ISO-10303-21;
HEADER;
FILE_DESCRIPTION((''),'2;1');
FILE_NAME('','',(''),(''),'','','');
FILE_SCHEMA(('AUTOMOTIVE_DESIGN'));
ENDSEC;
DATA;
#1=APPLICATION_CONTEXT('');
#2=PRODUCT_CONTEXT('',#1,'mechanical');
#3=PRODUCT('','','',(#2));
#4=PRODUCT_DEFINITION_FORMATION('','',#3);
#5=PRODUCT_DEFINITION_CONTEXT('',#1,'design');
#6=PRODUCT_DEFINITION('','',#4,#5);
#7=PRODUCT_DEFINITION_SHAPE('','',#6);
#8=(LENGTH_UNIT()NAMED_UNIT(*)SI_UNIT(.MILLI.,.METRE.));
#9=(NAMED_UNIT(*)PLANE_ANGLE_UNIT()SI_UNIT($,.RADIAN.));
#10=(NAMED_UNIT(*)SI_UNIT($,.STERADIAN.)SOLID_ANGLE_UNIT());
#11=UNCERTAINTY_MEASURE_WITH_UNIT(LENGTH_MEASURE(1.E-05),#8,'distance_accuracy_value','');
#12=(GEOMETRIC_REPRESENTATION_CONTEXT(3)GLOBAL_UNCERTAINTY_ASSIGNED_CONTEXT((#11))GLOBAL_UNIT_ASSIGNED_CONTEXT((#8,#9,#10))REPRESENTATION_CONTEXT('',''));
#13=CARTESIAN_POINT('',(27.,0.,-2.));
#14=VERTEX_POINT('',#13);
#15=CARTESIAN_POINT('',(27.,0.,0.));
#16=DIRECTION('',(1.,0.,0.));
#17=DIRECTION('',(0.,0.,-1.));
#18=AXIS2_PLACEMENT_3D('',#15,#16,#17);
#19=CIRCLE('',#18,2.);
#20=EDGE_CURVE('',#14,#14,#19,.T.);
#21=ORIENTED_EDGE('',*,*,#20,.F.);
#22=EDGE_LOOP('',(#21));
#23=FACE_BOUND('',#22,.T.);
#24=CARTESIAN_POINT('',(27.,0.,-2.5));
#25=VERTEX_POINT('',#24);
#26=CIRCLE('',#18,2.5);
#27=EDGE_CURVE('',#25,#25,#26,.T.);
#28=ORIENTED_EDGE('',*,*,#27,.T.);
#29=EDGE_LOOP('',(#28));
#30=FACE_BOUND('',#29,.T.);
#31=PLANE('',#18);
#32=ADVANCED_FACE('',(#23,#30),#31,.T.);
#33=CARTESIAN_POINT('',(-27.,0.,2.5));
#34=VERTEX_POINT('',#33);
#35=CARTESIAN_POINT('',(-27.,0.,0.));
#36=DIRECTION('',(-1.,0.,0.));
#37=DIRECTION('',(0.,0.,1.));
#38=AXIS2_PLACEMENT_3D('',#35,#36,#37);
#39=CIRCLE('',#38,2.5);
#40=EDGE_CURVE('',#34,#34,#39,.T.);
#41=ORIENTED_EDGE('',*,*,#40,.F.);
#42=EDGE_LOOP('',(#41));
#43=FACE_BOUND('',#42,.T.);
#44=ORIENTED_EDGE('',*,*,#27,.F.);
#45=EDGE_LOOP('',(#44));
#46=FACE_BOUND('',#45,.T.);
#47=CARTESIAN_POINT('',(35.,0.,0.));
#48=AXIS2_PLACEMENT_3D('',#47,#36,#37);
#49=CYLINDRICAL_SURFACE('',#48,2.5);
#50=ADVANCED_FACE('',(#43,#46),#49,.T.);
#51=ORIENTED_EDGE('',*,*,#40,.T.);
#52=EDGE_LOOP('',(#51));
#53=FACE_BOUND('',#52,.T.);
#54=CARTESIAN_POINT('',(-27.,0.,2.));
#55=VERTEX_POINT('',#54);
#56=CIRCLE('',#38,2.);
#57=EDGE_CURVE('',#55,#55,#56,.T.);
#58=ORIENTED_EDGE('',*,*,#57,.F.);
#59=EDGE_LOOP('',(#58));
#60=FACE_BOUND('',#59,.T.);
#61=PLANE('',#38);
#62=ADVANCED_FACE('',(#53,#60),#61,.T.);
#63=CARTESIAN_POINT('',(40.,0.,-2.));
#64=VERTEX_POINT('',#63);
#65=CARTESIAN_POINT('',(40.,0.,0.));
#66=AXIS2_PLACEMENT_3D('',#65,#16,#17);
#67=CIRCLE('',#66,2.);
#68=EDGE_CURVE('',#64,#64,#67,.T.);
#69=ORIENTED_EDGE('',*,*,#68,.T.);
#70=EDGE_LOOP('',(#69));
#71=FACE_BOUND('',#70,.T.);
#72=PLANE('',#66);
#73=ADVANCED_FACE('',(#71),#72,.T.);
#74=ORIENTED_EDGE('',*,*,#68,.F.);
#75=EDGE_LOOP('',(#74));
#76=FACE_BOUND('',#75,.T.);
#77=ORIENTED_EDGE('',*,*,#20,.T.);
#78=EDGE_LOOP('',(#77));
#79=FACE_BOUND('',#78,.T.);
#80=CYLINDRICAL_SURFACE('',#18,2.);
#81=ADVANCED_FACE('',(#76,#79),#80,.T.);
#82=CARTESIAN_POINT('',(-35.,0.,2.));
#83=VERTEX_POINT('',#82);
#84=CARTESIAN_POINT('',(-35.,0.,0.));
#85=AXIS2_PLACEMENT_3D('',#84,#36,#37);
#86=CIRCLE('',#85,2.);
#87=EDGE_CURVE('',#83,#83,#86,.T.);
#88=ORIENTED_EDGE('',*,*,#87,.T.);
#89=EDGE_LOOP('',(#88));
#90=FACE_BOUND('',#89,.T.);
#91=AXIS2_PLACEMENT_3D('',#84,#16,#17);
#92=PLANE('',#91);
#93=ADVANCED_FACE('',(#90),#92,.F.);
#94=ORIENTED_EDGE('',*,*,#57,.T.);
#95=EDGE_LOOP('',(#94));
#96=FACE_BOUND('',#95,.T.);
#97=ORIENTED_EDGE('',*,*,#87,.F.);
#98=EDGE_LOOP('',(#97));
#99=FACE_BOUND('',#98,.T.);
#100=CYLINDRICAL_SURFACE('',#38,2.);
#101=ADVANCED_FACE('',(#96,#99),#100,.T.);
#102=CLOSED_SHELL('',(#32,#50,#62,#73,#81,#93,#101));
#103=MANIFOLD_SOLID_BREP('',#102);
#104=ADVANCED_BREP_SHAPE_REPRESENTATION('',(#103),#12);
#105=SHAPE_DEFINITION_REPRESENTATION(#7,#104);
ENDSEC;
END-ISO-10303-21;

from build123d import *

# Parameters (mm, degrees)
SKETCH1_R           = 2.5
BOSS_EXTRUDE1_DEPTH = 35
SKETCH2_R           = 2.5
SKETCH2_R_2         = 2
CUT_EXTRUDE1_DEPTH  = 8
SKETCH3_R           = 2.5
SKETCH3_R_2         = 2
CUT_EXTRUDE2_DEPTH  = 8
SKETCH4_R           = 2
BOSS_EXTRUDE2_DEPTH = 5


with BuildPart() as part:
    # Sketch1 → Boss-Extrude1 (new body, symmetric)
    with BuildSketch(Plane(origin=(0, 0, 0), x_dir=(0, 0, -1), z_dir=(1, 0, 0))):
        Circle(SKETCH1_R)
    extrude(amount=BOSS_EXTRUDE1_DEPTH, both=True)

    # Sketch2 → Cut-Extrude1 (cut)
    with BuildSketch(Plane(origin=(35, 0, 0), x_dir=(0, 0, -1), z_dir=(1, 0, 0))):
        Circle(SKETCH2_R)
        Circle(SKETCH2_R_2, mode=Mode.SUBTRACT)
    extrude(amount=-CUT_EXTRUDE1_DEPTH, mode=Mode.SUBTRACT)

    # Sketch3 → Cut-Extrude2 (cut)
    with BuildSketch(Plane.ZY.offset(35)):
        Circle(SKETCH3_R)
        Circle(SKETCH3_R_2, mode=Mode.SUBTRACT)
    extrude(amount=-CUT_EXTRUDE2_DEPTH, mode=Mode.SUBTRACT)

    # Sketch4 → Boss-Extrude2 (add)
    with BuildSketch(Plane(origin=(35, 0, 0), x_dir=(0, 0, -1), z_dir=(1, 0, 0))):
        Circle(SKETCH4_R)
    extrude(amount=BOSS_EXTRUDE2_DEPTH)


solid = part.part
